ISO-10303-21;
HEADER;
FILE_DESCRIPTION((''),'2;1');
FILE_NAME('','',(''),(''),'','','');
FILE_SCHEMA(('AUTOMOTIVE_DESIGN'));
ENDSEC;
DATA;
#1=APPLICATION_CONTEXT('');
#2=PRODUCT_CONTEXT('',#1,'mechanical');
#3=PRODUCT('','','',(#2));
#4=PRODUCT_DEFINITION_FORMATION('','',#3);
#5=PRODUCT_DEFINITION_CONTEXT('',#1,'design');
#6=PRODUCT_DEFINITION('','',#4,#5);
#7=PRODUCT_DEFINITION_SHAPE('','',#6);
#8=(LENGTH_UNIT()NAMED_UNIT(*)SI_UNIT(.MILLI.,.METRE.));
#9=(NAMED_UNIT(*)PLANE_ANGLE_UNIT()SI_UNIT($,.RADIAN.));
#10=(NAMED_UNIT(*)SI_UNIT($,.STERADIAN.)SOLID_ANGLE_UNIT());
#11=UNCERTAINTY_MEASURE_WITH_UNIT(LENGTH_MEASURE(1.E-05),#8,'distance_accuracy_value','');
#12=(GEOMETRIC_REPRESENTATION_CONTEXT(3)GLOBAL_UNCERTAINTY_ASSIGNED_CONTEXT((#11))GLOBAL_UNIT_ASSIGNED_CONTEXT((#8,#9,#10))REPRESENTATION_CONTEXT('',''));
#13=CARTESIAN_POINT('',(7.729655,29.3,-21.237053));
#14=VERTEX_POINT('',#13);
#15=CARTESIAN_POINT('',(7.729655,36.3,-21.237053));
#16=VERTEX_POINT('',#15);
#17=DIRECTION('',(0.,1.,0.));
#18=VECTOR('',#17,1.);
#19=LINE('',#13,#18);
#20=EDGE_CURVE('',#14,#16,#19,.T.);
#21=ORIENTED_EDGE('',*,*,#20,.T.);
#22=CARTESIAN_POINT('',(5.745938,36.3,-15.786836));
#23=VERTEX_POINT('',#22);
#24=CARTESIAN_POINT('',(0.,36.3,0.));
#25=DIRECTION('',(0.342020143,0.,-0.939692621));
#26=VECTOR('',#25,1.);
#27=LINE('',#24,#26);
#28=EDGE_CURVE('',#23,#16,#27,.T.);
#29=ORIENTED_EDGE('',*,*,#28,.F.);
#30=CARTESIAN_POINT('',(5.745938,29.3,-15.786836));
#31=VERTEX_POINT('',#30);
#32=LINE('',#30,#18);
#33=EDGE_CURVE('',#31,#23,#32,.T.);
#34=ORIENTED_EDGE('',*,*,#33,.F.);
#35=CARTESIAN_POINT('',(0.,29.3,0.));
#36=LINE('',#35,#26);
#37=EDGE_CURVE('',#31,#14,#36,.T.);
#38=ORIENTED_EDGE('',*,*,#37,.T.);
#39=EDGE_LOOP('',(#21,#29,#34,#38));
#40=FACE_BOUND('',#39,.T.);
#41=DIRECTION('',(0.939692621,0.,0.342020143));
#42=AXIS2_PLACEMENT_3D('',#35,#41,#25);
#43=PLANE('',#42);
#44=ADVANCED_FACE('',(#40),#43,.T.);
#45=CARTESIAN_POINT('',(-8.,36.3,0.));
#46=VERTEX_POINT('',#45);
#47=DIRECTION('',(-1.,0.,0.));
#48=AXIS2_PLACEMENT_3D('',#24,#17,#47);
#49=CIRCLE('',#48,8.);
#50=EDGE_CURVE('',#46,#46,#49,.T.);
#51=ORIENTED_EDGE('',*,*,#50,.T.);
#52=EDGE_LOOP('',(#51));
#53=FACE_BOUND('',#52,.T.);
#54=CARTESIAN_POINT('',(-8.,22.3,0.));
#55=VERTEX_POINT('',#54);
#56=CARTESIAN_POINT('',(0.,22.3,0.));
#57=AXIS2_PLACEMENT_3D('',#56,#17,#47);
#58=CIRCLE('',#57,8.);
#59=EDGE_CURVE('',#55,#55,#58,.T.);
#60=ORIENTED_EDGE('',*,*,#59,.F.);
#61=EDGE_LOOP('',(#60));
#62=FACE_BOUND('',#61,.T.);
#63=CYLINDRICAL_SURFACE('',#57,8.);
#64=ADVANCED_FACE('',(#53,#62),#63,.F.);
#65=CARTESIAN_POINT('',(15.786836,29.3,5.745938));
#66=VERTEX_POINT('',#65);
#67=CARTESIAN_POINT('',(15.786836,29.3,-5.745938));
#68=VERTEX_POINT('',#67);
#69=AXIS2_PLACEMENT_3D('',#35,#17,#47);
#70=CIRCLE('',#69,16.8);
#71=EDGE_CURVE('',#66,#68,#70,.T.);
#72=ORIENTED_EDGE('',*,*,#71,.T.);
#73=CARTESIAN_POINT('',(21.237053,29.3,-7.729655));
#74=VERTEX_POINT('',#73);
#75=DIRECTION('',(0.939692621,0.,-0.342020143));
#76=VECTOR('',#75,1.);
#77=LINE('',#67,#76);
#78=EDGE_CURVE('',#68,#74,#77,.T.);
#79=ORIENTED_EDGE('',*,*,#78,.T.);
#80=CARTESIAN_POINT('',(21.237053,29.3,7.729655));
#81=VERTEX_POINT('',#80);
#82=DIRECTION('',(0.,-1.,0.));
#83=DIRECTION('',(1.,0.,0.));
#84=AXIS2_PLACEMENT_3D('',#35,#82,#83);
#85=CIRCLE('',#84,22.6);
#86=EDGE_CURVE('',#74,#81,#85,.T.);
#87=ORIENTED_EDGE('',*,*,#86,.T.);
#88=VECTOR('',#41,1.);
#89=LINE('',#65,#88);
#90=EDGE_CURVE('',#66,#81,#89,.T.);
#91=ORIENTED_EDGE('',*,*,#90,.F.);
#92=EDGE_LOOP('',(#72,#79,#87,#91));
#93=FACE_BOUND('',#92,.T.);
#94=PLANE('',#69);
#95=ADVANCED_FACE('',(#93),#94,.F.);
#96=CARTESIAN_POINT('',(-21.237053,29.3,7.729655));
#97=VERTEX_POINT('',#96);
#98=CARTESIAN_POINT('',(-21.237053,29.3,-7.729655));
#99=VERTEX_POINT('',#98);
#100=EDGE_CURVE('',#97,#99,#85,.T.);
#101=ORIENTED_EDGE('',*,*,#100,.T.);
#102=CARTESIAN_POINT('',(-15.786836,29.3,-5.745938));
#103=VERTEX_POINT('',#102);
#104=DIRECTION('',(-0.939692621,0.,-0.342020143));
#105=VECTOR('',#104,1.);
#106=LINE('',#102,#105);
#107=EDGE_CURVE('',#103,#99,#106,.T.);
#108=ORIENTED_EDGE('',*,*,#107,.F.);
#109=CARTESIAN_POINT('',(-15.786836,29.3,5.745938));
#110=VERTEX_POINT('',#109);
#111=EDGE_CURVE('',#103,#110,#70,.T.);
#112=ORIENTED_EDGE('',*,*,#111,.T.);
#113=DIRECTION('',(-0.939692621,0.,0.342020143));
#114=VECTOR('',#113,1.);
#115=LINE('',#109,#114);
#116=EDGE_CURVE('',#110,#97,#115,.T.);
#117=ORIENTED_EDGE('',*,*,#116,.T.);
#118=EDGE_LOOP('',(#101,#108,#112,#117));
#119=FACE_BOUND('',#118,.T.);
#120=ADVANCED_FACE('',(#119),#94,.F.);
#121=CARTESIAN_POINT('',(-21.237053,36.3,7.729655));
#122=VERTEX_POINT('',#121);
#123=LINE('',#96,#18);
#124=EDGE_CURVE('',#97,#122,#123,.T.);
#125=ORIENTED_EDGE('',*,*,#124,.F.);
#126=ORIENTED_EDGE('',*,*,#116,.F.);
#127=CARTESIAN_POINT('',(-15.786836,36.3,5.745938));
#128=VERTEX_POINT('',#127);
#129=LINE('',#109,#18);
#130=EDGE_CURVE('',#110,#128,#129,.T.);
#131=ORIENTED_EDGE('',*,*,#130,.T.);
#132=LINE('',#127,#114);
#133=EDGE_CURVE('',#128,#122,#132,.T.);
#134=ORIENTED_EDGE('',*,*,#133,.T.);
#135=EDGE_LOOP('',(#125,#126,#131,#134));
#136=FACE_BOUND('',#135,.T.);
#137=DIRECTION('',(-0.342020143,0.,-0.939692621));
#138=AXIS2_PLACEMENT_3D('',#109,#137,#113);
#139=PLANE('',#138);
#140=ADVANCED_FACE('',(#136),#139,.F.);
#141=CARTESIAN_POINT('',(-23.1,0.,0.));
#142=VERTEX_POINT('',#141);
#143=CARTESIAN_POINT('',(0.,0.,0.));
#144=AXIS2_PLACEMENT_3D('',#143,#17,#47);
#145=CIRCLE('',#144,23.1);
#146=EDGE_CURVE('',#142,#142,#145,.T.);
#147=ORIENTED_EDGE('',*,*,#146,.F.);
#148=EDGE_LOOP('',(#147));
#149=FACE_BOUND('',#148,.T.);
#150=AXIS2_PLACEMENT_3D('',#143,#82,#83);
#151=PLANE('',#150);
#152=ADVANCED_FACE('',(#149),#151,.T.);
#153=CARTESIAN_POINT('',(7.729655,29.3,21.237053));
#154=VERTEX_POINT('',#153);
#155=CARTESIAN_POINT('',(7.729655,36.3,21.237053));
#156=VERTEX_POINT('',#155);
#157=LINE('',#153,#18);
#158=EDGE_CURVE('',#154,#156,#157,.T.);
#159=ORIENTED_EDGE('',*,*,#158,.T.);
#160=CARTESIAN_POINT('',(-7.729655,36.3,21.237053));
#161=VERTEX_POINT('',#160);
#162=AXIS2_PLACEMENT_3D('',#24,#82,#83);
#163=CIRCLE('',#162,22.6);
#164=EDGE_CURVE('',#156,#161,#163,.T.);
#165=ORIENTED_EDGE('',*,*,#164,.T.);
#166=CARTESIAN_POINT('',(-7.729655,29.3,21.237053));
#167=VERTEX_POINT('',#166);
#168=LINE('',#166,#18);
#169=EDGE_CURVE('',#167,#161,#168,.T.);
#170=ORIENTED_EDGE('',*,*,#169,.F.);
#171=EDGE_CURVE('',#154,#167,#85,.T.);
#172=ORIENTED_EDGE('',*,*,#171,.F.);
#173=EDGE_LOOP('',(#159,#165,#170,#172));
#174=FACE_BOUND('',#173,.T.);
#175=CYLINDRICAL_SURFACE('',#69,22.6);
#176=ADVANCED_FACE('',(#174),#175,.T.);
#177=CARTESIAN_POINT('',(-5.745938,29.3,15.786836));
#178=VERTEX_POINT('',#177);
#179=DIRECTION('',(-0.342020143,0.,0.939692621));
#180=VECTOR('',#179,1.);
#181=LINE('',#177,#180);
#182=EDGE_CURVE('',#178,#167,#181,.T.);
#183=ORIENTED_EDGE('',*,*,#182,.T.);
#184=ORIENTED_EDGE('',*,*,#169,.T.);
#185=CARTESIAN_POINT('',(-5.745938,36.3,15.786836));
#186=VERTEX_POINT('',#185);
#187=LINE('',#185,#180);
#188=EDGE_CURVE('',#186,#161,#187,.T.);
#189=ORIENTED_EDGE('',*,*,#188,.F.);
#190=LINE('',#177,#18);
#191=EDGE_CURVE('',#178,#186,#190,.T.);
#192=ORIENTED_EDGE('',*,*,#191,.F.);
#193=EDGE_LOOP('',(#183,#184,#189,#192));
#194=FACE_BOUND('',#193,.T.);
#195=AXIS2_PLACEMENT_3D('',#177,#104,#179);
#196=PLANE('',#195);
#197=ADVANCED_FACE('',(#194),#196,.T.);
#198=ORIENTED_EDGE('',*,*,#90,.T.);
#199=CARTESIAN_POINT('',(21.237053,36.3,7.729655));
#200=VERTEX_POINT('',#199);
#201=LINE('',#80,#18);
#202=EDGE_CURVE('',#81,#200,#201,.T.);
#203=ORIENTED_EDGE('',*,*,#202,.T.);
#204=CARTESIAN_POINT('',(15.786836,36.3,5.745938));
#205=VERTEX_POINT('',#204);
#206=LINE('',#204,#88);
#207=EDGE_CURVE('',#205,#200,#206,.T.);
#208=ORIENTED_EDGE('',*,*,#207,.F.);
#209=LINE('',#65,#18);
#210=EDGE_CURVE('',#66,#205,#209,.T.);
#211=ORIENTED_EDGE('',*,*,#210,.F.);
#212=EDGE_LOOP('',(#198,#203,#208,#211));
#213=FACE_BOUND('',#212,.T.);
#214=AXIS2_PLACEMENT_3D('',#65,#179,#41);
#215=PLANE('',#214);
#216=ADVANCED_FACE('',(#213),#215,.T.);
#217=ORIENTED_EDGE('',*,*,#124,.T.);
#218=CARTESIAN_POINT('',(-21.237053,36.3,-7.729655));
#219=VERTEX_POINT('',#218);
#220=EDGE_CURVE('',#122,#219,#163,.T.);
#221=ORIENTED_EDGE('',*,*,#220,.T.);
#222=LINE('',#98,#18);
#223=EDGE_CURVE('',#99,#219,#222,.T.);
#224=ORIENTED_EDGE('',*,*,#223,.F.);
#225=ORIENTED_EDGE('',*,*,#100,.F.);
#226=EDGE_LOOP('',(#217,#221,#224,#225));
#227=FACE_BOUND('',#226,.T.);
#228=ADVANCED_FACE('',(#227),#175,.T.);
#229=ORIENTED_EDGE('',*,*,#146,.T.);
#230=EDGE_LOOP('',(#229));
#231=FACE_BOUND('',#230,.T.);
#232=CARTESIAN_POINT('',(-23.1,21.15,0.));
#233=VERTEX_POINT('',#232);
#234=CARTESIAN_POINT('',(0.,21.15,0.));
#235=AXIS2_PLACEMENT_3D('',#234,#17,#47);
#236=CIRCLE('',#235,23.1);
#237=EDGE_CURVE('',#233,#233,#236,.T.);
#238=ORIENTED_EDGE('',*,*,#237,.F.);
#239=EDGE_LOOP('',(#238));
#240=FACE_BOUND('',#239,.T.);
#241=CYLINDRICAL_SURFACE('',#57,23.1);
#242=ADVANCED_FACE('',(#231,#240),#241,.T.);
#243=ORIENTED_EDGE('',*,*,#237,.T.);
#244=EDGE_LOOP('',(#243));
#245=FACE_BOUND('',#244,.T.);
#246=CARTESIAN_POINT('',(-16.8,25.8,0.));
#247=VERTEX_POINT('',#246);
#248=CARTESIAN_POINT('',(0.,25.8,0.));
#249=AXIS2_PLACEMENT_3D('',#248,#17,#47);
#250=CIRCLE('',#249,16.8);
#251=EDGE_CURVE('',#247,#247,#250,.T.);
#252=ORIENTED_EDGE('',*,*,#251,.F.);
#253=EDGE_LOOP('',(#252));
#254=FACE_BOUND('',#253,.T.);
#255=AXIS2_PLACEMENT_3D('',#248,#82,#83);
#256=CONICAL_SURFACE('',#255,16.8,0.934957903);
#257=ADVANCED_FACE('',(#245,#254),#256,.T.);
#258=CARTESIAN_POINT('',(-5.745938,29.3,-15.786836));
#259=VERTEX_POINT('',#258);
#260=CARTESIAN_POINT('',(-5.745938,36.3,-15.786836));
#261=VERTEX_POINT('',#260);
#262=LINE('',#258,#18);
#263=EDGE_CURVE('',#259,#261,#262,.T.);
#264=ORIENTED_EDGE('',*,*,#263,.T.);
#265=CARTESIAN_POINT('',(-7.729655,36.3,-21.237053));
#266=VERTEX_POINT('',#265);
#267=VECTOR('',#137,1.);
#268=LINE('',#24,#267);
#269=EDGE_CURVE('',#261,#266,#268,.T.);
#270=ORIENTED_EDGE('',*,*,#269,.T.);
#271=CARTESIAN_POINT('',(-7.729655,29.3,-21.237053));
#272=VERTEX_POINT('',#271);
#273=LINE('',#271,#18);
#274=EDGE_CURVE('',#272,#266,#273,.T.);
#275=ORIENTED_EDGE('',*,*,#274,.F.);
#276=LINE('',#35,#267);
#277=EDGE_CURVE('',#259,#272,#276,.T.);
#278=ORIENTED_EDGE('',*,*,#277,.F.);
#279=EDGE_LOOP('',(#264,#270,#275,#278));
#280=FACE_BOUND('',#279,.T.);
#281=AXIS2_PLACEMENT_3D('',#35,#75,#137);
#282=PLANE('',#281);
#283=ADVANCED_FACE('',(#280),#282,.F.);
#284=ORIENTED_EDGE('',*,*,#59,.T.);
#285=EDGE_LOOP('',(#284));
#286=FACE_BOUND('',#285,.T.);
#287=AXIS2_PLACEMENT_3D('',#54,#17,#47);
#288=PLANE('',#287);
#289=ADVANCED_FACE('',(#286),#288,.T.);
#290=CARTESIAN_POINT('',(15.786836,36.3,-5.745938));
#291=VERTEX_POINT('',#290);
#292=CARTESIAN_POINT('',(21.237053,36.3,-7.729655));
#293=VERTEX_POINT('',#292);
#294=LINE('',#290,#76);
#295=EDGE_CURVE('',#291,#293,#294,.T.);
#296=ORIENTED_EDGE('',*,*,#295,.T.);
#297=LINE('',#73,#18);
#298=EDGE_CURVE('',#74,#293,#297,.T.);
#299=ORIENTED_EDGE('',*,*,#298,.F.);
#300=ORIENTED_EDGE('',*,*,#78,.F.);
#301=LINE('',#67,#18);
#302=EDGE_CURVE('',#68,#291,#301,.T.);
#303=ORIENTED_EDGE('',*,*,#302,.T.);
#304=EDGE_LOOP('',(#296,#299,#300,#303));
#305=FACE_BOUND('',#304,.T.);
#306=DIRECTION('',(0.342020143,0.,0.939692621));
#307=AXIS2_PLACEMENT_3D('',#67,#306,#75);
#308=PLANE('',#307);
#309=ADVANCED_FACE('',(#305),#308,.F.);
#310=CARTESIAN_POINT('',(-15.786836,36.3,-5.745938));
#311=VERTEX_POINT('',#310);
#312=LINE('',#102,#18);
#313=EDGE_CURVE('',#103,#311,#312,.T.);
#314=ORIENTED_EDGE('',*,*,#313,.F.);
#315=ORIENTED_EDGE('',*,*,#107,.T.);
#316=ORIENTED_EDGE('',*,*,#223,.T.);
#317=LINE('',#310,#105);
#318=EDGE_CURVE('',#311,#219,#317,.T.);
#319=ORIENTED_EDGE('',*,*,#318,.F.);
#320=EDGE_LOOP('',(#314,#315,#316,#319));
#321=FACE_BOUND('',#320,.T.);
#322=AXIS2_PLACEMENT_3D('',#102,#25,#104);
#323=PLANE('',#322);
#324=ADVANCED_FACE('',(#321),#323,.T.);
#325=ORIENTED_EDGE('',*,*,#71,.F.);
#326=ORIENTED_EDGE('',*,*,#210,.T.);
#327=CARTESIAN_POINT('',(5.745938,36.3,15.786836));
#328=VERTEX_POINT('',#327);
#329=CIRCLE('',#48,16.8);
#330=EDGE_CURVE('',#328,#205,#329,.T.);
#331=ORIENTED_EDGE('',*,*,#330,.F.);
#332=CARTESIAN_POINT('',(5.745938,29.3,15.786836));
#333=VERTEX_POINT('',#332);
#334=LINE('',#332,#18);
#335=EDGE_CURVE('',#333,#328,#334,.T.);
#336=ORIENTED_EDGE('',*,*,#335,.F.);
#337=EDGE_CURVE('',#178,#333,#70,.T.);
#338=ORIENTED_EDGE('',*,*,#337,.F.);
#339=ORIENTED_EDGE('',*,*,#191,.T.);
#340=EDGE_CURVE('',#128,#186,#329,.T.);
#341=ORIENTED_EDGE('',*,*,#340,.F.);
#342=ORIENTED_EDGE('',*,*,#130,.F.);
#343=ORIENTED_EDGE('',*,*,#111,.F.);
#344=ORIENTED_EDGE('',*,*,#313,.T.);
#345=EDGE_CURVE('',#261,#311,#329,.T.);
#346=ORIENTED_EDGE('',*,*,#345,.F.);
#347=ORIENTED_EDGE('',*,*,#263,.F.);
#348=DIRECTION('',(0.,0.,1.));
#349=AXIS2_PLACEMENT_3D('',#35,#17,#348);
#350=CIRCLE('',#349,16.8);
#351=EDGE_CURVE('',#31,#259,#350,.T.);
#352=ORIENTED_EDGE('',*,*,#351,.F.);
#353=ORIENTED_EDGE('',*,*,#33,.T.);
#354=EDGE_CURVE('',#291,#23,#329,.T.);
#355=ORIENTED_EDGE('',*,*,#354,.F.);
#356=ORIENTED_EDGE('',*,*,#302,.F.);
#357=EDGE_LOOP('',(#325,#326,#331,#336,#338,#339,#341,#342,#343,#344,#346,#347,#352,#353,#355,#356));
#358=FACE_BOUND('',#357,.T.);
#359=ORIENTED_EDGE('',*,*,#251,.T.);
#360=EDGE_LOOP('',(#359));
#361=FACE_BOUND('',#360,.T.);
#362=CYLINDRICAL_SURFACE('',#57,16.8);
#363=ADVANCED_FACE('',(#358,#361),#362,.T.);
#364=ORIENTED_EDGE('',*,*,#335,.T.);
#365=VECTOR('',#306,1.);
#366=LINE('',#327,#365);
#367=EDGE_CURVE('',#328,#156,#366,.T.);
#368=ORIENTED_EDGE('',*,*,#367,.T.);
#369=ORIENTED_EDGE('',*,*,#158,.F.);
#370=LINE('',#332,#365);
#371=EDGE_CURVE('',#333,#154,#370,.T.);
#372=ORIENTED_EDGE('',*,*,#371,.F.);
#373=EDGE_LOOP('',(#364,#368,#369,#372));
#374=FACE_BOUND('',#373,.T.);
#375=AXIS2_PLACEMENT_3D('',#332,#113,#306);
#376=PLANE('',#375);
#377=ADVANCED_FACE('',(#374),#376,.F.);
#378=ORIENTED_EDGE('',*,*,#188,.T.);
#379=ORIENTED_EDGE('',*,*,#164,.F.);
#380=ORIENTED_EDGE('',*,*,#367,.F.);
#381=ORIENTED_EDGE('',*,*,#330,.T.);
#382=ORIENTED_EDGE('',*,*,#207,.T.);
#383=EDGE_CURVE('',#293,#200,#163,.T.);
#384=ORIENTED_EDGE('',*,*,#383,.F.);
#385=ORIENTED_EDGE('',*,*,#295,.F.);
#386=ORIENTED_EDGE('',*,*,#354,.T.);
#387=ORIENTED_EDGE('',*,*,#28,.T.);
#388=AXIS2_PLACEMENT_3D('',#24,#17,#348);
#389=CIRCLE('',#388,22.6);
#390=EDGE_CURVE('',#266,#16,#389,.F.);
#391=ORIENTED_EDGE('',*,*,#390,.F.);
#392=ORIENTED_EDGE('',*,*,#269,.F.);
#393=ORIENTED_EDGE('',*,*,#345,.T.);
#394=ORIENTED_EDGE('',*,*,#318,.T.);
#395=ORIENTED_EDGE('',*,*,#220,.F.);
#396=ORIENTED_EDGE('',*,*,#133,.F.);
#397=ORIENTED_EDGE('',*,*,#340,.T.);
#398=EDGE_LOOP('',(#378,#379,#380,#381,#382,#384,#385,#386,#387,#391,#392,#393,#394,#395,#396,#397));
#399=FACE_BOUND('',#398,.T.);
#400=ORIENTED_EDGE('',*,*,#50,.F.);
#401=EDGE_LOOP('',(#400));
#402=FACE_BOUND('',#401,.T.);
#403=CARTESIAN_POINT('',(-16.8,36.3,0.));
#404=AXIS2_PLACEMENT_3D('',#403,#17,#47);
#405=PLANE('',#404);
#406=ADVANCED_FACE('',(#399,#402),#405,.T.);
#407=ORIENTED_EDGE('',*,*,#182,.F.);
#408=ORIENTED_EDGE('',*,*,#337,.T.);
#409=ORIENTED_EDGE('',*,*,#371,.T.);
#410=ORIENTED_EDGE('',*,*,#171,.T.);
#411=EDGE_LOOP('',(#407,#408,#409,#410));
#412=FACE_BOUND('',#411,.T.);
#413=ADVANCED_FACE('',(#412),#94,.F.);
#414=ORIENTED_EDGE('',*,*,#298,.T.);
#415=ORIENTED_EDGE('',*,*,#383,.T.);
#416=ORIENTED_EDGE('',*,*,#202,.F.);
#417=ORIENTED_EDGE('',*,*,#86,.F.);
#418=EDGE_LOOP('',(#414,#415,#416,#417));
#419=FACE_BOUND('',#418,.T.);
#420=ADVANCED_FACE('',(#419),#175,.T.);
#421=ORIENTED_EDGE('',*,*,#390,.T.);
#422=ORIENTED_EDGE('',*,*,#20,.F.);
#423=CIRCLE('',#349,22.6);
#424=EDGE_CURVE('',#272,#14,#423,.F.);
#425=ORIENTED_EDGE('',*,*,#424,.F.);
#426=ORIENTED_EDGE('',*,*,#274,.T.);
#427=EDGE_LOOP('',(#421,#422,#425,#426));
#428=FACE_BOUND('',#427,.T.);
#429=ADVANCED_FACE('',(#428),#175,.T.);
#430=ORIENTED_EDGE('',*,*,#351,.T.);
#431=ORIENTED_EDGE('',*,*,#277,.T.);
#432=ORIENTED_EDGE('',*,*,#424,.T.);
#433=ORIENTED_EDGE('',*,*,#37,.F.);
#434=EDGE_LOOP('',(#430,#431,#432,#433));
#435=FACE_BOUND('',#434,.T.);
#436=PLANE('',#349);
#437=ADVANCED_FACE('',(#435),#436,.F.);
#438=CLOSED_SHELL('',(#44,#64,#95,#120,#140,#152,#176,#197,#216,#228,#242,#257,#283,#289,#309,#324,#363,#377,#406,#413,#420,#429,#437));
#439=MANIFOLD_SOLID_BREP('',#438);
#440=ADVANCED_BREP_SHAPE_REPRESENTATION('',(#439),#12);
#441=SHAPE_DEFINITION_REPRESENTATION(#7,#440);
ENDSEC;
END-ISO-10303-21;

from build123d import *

# Parameters (mm, degrees)
DODANIE_WYCI_GNI_CIE1_DEPTH = 7


with BuildPart() as part:
    # Szkic1 → Obrót1 (revolve)
    with BuildSketch(Plane.XY):
        Polygon((0, 0), (-23.1, 0), (-23.1, 21.15), (-16.8, 25.8), (-16.8, 36.3), (-8, 36.3), (-8, 22.3), (0, 22.3), align=None)
    revolve(axis=Axis((0, 22.3, 0), (0, -1, 0)))

    # Szkic2 → Dodanie-wyciągnięcie1 (add)
    with BuildSketch(Plane(origin=(0, 36.3, 0), x_dir=(1, 0, 0), z_dir=(0, 1, 0))):
        with BuildLine():
            Line((-7.729655239, 21.23705323), (-5.745938408, 15.786836029))
            ThreePointArc((-5.745938408, 15.786836029), (0, 16.8), (5.745938408, 15.786836029))
            Line((5.745938408, 15.786836029), (7.729655239, 21.23705323))
            ThreePointArc((7.729655239, 21.23705323), (0, 22.6), (-7.729655239, 21.23705323))
        make_face()
        with BuildLine():
            ThreePointArc((15.786836029, 5.745938408), (16.8, 0), (15.786836029, -5.745938408))
            Line((15.786836029, -5.745938408), (21.23705323, -7.729655239))
            ThreePointArc((21.23705323, -7.729655239), (22.6, 0), (21.23705323, 7.729655239))
            Line((21.23705323, 7.729655239), (15.786836029, 5.745938408))
        make_face()
        with BuildLine():
            ThreePointArc((5.745938408, -15.786836029), (0, -16.8), (-5.745938408, -15.786836029))
            Line((-5.745938408, -15.786836029), (-7.729655239, -21.23705323))
            ThreePointArc((-7.729655239, -21.23705323), (0, -22.6), (7.729655239, -21.23705323))
            Line((7.729655239, -21.23705323), (5.745938408, -15.786836029))
        make_face()
        with BuildLine():
            ThreePointArc((-15.786836029, -5.745938408), (-16.8, 0), (-15.786836029, 5.745938408))
            Line((-15.786836029, 5.745938408), (-21.23705323, 7.729655239))
            ThreePointArc((-21.23705323, 7.729655239), (-22.6, 0), (-21.23705323, -7.729655239))
            Line((-21.23705323, -7.729655239), (-15.786836029, -5.745938408))
        make_face()
    extrude(amount=-DODANIE_WYCI_GNI_CIE1_DEPTH)


solid = part.part
